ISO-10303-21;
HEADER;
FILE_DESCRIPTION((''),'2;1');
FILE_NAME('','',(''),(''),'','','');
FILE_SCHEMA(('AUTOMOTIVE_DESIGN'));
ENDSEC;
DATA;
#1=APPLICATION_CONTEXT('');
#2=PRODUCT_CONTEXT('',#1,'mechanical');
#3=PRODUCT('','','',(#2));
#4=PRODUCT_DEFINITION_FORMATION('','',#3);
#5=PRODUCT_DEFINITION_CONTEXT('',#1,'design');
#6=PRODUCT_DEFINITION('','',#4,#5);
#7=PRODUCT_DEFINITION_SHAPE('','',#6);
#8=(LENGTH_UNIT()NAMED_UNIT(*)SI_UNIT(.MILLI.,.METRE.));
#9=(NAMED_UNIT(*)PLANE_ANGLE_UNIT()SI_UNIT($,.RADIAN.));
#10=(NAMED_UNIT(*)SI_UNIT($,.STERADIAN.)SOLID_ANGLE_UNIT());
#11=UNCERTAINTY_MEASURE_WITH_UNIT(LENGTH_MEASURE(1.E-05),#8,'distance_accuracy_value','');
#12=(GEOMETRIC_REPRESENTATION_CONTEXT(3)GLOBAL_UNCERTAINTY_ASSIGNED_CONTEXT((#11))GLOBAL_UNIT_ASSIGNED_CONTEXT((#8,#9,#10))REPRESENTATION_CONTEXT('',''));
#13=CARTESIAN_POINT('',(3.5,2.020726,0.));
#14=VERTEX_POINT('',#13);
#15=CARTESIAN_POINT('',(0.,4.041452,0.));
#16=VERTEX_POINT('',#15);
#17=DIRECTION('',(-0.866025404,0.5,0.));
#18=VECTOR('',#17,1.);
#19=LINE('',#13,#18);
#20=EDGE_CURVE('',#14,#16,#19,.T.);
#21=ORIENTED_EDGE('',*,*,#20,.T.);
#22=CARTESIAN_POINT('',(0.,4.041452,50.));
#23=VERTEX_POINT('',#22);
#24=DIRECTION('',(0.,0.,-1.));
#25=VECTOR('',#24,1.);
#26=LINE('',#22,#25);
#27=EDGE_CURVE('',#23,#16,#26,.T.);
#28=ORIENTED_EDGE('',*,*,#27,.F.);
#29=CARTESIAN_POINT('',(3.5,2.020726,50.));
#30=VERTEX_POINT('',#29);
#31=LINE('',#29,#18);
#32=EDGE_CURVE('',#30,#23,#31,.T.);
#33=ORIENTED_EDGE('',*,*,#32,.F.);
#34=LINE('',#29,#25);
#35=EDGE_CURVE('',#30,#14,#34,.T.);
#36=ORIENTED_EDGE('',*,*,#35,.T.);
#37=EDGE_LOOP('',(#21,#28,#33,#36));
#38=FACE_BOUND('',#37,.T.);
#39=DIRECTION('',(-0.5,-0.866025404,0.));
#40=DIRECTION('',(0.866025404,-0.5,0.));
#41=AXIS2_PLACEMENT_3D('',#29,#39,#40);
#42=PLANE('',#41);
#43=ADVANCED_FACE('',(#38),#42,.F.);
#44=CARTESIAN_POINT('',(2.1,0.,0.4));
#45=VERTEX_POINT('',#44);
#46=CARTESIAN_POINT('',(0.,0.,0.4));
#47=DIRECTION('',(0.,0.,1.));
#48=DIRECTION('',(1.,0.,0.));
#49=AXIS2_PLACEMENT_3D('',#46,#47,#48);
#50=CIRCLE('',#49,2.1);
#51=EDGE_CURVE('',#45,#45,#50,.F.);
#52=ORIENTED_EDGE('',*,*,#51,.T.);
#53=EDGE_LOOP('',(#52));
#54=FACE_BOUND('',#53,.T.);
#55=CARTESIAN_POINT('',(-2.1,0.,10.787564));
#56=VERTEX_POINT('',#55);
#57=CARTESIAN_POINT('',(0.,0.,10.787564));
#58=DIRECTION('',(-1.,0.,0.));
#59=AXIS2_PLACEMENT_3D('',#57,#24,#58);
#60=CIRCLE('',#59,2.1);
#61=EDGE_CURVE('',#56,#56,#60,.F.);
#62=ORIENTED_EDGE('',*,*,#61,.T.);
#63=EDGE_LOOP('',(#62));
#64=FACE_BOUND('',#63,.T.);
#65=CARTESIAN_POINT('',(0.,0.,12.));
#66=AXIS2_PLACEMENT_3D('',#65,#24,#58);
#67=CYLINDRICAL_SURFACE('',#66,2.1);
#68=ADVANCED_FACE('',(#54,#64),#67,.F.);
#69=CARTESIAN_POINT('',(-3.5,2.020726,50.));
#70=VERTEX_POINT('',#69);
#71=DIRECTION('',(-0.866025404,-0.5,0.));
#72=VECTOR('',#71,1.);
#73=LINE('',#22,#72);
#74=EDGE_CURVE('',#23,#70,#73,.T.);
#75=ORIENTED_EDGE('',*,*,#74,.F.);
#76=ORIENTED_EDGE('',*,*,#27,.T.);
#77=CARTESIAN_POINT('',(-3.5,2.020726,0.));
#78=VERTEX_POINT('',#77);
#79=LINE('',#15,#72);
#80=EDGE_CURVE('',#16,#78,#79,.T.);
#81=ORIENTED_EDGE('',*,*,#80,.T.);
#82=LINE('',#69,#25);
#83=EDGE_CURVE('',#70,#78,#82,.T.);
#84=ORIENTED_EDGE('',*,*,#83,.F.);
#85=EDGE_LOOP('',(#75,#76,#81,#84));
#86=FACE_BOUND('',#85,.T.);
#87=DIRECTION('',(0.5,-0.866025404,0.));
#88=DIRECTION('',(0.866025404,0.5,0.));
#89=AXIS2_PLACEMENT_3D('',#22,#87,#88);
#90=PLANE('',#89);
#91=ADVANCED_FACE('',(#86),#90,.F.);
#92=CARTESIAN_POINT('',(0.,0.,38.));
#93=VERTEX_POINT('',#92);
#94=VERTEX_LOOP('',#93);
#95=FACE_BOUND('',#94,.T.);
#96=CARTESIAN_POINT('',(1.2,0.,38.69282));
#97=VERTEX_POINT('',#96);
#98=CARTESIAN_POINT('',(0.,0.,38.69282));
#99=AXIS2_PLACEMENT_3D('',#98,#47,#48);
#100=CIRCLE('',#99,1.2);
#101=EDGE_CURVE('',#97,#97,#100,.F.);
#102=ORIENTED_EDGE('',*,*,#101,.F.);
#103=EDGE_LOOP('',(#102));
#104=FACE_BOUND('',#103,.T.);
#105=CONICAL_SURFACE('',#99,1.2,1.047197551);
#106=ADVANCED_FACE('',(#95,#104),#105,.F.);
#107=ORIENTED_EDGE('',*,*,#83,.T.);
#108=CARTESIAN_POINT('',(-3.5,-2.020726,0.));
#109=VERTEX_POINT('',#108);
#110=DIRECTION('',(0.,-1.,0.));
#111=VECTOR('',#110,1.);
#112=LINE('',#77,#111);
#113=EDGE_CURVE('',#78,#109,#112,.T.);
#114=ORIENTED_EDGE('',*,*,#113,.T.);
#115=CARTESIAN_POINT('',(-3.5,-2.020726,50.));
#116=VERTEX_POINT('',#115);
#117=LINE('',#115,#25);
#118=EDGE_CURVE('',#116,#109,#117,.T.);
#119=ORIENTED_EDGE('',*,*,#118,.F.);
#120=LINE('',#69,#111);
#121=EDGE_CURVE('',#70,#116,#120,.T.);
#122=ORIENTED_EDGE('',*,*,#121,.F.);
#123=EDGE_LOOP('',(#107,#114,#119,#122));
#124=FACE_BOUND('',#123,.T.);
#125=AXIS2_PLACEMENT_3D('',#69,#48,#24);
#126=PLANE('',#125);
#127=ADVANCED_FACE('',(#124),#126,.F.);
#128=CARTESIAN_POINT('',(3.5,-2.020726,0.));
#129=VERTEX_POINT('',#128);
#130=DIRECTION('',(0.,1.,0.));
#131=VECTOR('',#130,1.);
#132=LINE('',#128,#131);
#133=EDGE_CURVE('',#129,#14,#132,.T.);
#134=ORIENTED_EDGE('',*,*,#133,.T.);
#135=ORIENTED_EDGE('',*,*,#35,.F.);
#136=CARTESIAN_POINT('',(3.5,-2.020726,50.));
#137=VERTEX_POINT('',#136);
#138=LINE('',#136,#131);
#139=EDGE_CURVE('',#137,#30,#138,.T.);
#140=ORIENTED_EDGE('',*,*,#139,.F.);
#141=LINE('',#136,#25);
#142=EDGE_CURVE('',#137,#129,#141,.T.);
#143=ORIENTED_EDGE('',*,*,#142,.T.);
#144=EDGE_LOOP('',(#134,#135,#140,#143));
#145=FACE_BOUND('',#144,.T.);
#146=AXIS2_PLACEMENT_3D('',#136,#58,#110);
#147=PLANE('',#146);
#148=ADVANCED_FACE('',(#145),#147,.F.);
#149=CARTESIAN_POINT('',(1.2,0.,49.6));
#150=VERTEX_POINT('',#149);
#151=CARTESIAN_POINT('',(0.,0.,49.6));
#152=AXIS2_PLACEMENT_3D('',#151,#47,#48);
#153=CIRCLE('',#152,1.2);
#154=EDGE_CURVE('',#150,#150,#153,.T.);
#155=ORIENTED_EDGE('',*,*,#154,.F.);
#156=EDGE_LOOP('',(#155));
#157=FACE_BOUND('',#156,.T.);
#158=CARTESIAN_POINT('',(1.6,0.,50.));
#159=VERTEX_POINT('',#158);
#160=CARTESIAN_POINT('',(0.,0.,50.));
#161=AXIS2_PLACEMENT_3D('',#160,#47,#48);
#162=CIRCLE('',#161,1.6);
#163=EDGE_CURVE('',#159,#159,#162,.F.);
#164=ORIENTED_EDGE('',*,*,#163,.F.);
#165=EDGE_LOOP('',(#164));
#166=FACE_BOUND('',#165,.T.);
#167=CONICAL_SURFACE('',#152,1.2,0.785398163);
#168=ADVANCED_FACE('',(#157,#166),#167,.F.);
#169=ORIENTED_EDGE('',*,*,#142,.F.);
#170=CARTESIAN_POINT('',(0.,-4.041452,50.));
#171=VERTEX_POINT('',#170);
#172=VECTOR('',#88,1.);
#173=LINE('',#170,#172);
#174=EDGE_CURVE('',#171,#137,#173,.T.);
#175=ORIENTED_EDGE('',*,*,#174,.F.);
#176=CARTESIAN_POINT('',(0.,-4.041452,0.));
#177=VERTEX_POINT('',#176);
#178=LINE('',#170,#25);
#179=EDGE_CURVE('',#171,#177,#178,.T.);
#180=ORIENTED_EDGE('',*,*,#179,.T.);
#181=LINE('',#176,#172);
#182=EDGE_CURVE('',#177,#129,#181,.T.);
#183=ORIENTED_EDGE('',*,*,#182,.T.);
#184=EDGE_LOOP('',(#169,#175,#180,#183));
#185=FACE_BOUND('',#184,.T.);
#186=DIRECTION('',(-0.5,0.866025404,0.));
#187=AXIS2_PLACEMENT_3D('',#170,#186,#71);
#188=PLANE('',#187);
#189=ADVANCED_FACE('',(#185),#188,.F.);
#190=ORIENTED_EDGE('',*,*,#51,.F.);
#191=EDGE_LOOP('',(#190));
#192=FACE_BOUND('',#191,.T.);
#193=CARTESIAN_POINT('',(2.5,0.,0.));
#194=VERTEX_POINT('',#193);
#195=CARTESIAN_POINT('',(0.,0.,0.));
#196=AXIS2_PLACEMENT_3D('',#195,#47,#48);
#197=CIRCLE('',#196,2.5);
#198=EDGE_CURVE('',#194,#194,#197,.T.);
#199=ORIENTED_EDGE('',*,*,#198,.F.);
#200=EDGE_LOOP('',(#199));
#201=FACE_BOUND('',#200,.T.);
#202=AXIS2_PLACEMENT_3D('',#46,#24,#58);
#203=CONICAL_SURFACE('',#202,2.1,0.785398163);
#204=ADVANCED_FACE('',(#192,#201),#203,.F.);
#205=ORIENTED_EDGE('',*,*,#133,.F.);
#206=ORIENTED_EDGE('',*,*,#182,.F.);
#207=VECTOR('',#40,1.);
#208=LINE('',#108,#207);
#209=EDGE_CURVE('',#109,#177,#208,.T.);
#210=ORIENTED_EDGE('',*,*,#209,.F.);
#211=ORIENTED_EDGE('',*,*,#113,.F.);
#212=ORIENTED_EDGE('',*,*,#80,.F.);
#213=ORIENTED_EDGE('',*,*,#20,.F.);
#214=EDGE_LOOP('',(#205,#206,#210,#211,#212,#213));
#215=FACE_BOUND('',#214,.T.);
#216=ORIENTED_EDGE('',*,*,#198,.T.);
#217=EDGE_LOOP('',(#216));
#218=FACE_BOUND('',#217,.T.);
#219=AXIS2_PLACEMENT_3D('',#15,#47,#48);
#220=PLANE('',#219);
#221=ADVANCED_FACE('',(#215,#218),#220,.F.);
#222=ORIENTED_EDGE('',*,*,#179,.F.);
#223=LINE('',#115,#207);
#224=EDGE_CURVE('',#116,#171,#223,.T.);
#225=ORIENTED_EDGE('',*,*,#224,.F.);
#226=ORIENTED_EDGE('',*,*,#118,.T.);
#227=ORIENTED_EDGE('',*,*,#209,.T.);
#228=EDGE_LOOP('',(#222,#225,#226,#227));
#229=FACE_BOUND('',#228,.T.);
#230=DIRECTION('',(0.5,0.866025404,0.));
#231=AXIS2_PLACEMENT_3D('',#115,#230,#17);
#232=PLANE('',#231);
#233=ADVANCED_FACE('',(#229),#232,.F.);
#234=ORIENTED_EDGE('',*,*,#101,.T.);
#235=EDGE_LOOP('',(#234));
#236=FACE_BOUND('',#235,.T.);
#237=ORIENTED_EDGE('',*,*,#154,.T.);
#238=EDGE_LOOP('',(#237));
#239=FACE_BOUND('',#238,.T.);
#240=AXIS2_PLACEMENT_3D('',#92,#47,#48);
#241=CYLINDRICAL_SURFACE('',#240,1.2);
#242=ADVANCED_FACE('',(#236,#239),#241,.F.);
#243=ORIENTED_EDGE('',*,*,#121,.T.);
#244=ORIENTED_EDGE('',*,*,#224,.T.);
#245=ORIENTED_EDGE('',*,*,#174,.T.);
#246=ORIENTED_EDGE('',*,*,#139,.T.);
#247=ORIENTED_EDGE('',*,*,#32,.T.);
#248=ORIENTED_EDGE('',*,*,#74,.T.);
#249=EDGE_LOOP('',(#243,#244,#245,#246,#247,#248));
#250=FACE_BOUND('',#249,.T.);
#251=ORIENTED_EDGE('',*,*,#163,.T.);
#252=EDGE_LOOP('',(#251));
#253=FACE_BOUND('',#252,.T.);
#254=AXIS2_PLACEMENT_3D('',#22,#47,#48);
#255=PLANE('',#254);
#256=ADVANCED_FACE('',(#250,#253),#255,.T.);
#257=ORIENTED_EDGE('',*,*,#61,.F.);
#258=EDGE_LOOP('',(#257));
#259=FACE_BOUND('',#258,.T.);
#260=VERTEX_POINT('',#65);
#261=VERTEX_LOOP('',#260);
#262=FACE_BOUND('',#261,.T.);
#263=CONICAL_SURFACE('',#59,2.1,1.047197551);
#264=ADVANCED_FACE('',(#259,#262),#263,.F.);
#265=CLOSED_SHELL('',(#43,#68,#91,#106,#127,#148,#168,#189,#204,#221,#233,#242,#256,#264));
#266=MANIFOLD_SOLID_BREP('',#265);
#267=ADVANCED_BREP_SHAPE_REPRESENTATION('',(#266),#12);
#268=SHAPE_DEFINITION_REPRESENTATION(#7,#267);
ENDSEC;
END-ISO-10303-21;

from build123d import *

# Parameters (mm, degrees)
EXTRUDE_1_DEPTH     = 50
SKETCH_2_R          = 1.2
CUT_EXTRUDE_1_DEPTH = 12
CHAMFER_1_SIZE      = 1.2
CHAMFER_1_SIZE2     = 0.692820323
SKETCH_3_R          = 2.1
CUT_EXTRUDE_2_DEPTH = 12
CHAMFER_2_SIZE      = 2.1
CHAMFER_2_SIZE2     = 1.212435565
CHAMFER_3_SIZE      = 0.4


with BuildPart() as part:
    # Эскиз1 → Вытянуть1 (new body)
    with BuildSketch(Plane.XY):
        Polygon((0, 4.041451884), (-3.5, 2.020725942), (-3.5, -2.020725942), (0, -4.041451884), (3.5, -2.020725942), (3.5, 2.020725942), align=None)
    extrude(amount=EXTRUDE_1_DEPTH)

    # Эскиз2 → Вырез-Вытянуть1 (cut)
    with BuildSketch(Plane.XY.offset(50)):
        Circle(SKETCH_2_R)
    extrude(amount=-CUT_EXTRUDE_1_DEPTH, mode=Mode.SUBTRACT)

    # Фаска1
    chamfer_1_edges = [part.edges().sort_by_distance(p)[0] for p in [
        (-1.2, 0, 38),
    ]]
    chamfer_1_side = [part.faces().sort_by_distance(p)[0] for p in [
        (0, 0, 38),
    ]]
    chamfer(chamfer_1_edges, length=CHAMFER_1_SIZE, length2=CHAMFER_1_SIZE2, reference=chamfer_1_side[0])

    # Эскиз3 → Вырез-Вытянуть2 (cut)
    with BuildSketch(Plane(origin=(0, 0, 0), x_dir=(-1, 0, 0), z_dir=(0, 0, -1))):
        Circle(SKETCH_3_R)
    extrude(amount=-CUT_EXTRUDE_2_DEPTH, mode=Mode.SUBTRACT)

    # Фаска2
    chamfer_2_edges = [part.edges().sort_by_distance(p)[0] for p in [
        (2.1, 0, 12),
    ]]
    chamfer_2_side = [part.faces().sort_by_distance(p)[0] for p in [
        (0, 0, 12),
    ]]
    chamfer(chamfer_2_edges, length=CHAMFER_2_SIZE, length2=CHAMFER_2_SIZE2, reference=chamfer_2_side[0])

    # Фаска3
    chamfer_3_edges = [part.edges().sort_by_distance(p)[0] for p in [
        (-1.2, 0, 50),
        (2.1, 0, 0),
    ]]
    chamfer(chamfer_3_edges, length=CHAMFER_3_SIZE)


solid = part.part
